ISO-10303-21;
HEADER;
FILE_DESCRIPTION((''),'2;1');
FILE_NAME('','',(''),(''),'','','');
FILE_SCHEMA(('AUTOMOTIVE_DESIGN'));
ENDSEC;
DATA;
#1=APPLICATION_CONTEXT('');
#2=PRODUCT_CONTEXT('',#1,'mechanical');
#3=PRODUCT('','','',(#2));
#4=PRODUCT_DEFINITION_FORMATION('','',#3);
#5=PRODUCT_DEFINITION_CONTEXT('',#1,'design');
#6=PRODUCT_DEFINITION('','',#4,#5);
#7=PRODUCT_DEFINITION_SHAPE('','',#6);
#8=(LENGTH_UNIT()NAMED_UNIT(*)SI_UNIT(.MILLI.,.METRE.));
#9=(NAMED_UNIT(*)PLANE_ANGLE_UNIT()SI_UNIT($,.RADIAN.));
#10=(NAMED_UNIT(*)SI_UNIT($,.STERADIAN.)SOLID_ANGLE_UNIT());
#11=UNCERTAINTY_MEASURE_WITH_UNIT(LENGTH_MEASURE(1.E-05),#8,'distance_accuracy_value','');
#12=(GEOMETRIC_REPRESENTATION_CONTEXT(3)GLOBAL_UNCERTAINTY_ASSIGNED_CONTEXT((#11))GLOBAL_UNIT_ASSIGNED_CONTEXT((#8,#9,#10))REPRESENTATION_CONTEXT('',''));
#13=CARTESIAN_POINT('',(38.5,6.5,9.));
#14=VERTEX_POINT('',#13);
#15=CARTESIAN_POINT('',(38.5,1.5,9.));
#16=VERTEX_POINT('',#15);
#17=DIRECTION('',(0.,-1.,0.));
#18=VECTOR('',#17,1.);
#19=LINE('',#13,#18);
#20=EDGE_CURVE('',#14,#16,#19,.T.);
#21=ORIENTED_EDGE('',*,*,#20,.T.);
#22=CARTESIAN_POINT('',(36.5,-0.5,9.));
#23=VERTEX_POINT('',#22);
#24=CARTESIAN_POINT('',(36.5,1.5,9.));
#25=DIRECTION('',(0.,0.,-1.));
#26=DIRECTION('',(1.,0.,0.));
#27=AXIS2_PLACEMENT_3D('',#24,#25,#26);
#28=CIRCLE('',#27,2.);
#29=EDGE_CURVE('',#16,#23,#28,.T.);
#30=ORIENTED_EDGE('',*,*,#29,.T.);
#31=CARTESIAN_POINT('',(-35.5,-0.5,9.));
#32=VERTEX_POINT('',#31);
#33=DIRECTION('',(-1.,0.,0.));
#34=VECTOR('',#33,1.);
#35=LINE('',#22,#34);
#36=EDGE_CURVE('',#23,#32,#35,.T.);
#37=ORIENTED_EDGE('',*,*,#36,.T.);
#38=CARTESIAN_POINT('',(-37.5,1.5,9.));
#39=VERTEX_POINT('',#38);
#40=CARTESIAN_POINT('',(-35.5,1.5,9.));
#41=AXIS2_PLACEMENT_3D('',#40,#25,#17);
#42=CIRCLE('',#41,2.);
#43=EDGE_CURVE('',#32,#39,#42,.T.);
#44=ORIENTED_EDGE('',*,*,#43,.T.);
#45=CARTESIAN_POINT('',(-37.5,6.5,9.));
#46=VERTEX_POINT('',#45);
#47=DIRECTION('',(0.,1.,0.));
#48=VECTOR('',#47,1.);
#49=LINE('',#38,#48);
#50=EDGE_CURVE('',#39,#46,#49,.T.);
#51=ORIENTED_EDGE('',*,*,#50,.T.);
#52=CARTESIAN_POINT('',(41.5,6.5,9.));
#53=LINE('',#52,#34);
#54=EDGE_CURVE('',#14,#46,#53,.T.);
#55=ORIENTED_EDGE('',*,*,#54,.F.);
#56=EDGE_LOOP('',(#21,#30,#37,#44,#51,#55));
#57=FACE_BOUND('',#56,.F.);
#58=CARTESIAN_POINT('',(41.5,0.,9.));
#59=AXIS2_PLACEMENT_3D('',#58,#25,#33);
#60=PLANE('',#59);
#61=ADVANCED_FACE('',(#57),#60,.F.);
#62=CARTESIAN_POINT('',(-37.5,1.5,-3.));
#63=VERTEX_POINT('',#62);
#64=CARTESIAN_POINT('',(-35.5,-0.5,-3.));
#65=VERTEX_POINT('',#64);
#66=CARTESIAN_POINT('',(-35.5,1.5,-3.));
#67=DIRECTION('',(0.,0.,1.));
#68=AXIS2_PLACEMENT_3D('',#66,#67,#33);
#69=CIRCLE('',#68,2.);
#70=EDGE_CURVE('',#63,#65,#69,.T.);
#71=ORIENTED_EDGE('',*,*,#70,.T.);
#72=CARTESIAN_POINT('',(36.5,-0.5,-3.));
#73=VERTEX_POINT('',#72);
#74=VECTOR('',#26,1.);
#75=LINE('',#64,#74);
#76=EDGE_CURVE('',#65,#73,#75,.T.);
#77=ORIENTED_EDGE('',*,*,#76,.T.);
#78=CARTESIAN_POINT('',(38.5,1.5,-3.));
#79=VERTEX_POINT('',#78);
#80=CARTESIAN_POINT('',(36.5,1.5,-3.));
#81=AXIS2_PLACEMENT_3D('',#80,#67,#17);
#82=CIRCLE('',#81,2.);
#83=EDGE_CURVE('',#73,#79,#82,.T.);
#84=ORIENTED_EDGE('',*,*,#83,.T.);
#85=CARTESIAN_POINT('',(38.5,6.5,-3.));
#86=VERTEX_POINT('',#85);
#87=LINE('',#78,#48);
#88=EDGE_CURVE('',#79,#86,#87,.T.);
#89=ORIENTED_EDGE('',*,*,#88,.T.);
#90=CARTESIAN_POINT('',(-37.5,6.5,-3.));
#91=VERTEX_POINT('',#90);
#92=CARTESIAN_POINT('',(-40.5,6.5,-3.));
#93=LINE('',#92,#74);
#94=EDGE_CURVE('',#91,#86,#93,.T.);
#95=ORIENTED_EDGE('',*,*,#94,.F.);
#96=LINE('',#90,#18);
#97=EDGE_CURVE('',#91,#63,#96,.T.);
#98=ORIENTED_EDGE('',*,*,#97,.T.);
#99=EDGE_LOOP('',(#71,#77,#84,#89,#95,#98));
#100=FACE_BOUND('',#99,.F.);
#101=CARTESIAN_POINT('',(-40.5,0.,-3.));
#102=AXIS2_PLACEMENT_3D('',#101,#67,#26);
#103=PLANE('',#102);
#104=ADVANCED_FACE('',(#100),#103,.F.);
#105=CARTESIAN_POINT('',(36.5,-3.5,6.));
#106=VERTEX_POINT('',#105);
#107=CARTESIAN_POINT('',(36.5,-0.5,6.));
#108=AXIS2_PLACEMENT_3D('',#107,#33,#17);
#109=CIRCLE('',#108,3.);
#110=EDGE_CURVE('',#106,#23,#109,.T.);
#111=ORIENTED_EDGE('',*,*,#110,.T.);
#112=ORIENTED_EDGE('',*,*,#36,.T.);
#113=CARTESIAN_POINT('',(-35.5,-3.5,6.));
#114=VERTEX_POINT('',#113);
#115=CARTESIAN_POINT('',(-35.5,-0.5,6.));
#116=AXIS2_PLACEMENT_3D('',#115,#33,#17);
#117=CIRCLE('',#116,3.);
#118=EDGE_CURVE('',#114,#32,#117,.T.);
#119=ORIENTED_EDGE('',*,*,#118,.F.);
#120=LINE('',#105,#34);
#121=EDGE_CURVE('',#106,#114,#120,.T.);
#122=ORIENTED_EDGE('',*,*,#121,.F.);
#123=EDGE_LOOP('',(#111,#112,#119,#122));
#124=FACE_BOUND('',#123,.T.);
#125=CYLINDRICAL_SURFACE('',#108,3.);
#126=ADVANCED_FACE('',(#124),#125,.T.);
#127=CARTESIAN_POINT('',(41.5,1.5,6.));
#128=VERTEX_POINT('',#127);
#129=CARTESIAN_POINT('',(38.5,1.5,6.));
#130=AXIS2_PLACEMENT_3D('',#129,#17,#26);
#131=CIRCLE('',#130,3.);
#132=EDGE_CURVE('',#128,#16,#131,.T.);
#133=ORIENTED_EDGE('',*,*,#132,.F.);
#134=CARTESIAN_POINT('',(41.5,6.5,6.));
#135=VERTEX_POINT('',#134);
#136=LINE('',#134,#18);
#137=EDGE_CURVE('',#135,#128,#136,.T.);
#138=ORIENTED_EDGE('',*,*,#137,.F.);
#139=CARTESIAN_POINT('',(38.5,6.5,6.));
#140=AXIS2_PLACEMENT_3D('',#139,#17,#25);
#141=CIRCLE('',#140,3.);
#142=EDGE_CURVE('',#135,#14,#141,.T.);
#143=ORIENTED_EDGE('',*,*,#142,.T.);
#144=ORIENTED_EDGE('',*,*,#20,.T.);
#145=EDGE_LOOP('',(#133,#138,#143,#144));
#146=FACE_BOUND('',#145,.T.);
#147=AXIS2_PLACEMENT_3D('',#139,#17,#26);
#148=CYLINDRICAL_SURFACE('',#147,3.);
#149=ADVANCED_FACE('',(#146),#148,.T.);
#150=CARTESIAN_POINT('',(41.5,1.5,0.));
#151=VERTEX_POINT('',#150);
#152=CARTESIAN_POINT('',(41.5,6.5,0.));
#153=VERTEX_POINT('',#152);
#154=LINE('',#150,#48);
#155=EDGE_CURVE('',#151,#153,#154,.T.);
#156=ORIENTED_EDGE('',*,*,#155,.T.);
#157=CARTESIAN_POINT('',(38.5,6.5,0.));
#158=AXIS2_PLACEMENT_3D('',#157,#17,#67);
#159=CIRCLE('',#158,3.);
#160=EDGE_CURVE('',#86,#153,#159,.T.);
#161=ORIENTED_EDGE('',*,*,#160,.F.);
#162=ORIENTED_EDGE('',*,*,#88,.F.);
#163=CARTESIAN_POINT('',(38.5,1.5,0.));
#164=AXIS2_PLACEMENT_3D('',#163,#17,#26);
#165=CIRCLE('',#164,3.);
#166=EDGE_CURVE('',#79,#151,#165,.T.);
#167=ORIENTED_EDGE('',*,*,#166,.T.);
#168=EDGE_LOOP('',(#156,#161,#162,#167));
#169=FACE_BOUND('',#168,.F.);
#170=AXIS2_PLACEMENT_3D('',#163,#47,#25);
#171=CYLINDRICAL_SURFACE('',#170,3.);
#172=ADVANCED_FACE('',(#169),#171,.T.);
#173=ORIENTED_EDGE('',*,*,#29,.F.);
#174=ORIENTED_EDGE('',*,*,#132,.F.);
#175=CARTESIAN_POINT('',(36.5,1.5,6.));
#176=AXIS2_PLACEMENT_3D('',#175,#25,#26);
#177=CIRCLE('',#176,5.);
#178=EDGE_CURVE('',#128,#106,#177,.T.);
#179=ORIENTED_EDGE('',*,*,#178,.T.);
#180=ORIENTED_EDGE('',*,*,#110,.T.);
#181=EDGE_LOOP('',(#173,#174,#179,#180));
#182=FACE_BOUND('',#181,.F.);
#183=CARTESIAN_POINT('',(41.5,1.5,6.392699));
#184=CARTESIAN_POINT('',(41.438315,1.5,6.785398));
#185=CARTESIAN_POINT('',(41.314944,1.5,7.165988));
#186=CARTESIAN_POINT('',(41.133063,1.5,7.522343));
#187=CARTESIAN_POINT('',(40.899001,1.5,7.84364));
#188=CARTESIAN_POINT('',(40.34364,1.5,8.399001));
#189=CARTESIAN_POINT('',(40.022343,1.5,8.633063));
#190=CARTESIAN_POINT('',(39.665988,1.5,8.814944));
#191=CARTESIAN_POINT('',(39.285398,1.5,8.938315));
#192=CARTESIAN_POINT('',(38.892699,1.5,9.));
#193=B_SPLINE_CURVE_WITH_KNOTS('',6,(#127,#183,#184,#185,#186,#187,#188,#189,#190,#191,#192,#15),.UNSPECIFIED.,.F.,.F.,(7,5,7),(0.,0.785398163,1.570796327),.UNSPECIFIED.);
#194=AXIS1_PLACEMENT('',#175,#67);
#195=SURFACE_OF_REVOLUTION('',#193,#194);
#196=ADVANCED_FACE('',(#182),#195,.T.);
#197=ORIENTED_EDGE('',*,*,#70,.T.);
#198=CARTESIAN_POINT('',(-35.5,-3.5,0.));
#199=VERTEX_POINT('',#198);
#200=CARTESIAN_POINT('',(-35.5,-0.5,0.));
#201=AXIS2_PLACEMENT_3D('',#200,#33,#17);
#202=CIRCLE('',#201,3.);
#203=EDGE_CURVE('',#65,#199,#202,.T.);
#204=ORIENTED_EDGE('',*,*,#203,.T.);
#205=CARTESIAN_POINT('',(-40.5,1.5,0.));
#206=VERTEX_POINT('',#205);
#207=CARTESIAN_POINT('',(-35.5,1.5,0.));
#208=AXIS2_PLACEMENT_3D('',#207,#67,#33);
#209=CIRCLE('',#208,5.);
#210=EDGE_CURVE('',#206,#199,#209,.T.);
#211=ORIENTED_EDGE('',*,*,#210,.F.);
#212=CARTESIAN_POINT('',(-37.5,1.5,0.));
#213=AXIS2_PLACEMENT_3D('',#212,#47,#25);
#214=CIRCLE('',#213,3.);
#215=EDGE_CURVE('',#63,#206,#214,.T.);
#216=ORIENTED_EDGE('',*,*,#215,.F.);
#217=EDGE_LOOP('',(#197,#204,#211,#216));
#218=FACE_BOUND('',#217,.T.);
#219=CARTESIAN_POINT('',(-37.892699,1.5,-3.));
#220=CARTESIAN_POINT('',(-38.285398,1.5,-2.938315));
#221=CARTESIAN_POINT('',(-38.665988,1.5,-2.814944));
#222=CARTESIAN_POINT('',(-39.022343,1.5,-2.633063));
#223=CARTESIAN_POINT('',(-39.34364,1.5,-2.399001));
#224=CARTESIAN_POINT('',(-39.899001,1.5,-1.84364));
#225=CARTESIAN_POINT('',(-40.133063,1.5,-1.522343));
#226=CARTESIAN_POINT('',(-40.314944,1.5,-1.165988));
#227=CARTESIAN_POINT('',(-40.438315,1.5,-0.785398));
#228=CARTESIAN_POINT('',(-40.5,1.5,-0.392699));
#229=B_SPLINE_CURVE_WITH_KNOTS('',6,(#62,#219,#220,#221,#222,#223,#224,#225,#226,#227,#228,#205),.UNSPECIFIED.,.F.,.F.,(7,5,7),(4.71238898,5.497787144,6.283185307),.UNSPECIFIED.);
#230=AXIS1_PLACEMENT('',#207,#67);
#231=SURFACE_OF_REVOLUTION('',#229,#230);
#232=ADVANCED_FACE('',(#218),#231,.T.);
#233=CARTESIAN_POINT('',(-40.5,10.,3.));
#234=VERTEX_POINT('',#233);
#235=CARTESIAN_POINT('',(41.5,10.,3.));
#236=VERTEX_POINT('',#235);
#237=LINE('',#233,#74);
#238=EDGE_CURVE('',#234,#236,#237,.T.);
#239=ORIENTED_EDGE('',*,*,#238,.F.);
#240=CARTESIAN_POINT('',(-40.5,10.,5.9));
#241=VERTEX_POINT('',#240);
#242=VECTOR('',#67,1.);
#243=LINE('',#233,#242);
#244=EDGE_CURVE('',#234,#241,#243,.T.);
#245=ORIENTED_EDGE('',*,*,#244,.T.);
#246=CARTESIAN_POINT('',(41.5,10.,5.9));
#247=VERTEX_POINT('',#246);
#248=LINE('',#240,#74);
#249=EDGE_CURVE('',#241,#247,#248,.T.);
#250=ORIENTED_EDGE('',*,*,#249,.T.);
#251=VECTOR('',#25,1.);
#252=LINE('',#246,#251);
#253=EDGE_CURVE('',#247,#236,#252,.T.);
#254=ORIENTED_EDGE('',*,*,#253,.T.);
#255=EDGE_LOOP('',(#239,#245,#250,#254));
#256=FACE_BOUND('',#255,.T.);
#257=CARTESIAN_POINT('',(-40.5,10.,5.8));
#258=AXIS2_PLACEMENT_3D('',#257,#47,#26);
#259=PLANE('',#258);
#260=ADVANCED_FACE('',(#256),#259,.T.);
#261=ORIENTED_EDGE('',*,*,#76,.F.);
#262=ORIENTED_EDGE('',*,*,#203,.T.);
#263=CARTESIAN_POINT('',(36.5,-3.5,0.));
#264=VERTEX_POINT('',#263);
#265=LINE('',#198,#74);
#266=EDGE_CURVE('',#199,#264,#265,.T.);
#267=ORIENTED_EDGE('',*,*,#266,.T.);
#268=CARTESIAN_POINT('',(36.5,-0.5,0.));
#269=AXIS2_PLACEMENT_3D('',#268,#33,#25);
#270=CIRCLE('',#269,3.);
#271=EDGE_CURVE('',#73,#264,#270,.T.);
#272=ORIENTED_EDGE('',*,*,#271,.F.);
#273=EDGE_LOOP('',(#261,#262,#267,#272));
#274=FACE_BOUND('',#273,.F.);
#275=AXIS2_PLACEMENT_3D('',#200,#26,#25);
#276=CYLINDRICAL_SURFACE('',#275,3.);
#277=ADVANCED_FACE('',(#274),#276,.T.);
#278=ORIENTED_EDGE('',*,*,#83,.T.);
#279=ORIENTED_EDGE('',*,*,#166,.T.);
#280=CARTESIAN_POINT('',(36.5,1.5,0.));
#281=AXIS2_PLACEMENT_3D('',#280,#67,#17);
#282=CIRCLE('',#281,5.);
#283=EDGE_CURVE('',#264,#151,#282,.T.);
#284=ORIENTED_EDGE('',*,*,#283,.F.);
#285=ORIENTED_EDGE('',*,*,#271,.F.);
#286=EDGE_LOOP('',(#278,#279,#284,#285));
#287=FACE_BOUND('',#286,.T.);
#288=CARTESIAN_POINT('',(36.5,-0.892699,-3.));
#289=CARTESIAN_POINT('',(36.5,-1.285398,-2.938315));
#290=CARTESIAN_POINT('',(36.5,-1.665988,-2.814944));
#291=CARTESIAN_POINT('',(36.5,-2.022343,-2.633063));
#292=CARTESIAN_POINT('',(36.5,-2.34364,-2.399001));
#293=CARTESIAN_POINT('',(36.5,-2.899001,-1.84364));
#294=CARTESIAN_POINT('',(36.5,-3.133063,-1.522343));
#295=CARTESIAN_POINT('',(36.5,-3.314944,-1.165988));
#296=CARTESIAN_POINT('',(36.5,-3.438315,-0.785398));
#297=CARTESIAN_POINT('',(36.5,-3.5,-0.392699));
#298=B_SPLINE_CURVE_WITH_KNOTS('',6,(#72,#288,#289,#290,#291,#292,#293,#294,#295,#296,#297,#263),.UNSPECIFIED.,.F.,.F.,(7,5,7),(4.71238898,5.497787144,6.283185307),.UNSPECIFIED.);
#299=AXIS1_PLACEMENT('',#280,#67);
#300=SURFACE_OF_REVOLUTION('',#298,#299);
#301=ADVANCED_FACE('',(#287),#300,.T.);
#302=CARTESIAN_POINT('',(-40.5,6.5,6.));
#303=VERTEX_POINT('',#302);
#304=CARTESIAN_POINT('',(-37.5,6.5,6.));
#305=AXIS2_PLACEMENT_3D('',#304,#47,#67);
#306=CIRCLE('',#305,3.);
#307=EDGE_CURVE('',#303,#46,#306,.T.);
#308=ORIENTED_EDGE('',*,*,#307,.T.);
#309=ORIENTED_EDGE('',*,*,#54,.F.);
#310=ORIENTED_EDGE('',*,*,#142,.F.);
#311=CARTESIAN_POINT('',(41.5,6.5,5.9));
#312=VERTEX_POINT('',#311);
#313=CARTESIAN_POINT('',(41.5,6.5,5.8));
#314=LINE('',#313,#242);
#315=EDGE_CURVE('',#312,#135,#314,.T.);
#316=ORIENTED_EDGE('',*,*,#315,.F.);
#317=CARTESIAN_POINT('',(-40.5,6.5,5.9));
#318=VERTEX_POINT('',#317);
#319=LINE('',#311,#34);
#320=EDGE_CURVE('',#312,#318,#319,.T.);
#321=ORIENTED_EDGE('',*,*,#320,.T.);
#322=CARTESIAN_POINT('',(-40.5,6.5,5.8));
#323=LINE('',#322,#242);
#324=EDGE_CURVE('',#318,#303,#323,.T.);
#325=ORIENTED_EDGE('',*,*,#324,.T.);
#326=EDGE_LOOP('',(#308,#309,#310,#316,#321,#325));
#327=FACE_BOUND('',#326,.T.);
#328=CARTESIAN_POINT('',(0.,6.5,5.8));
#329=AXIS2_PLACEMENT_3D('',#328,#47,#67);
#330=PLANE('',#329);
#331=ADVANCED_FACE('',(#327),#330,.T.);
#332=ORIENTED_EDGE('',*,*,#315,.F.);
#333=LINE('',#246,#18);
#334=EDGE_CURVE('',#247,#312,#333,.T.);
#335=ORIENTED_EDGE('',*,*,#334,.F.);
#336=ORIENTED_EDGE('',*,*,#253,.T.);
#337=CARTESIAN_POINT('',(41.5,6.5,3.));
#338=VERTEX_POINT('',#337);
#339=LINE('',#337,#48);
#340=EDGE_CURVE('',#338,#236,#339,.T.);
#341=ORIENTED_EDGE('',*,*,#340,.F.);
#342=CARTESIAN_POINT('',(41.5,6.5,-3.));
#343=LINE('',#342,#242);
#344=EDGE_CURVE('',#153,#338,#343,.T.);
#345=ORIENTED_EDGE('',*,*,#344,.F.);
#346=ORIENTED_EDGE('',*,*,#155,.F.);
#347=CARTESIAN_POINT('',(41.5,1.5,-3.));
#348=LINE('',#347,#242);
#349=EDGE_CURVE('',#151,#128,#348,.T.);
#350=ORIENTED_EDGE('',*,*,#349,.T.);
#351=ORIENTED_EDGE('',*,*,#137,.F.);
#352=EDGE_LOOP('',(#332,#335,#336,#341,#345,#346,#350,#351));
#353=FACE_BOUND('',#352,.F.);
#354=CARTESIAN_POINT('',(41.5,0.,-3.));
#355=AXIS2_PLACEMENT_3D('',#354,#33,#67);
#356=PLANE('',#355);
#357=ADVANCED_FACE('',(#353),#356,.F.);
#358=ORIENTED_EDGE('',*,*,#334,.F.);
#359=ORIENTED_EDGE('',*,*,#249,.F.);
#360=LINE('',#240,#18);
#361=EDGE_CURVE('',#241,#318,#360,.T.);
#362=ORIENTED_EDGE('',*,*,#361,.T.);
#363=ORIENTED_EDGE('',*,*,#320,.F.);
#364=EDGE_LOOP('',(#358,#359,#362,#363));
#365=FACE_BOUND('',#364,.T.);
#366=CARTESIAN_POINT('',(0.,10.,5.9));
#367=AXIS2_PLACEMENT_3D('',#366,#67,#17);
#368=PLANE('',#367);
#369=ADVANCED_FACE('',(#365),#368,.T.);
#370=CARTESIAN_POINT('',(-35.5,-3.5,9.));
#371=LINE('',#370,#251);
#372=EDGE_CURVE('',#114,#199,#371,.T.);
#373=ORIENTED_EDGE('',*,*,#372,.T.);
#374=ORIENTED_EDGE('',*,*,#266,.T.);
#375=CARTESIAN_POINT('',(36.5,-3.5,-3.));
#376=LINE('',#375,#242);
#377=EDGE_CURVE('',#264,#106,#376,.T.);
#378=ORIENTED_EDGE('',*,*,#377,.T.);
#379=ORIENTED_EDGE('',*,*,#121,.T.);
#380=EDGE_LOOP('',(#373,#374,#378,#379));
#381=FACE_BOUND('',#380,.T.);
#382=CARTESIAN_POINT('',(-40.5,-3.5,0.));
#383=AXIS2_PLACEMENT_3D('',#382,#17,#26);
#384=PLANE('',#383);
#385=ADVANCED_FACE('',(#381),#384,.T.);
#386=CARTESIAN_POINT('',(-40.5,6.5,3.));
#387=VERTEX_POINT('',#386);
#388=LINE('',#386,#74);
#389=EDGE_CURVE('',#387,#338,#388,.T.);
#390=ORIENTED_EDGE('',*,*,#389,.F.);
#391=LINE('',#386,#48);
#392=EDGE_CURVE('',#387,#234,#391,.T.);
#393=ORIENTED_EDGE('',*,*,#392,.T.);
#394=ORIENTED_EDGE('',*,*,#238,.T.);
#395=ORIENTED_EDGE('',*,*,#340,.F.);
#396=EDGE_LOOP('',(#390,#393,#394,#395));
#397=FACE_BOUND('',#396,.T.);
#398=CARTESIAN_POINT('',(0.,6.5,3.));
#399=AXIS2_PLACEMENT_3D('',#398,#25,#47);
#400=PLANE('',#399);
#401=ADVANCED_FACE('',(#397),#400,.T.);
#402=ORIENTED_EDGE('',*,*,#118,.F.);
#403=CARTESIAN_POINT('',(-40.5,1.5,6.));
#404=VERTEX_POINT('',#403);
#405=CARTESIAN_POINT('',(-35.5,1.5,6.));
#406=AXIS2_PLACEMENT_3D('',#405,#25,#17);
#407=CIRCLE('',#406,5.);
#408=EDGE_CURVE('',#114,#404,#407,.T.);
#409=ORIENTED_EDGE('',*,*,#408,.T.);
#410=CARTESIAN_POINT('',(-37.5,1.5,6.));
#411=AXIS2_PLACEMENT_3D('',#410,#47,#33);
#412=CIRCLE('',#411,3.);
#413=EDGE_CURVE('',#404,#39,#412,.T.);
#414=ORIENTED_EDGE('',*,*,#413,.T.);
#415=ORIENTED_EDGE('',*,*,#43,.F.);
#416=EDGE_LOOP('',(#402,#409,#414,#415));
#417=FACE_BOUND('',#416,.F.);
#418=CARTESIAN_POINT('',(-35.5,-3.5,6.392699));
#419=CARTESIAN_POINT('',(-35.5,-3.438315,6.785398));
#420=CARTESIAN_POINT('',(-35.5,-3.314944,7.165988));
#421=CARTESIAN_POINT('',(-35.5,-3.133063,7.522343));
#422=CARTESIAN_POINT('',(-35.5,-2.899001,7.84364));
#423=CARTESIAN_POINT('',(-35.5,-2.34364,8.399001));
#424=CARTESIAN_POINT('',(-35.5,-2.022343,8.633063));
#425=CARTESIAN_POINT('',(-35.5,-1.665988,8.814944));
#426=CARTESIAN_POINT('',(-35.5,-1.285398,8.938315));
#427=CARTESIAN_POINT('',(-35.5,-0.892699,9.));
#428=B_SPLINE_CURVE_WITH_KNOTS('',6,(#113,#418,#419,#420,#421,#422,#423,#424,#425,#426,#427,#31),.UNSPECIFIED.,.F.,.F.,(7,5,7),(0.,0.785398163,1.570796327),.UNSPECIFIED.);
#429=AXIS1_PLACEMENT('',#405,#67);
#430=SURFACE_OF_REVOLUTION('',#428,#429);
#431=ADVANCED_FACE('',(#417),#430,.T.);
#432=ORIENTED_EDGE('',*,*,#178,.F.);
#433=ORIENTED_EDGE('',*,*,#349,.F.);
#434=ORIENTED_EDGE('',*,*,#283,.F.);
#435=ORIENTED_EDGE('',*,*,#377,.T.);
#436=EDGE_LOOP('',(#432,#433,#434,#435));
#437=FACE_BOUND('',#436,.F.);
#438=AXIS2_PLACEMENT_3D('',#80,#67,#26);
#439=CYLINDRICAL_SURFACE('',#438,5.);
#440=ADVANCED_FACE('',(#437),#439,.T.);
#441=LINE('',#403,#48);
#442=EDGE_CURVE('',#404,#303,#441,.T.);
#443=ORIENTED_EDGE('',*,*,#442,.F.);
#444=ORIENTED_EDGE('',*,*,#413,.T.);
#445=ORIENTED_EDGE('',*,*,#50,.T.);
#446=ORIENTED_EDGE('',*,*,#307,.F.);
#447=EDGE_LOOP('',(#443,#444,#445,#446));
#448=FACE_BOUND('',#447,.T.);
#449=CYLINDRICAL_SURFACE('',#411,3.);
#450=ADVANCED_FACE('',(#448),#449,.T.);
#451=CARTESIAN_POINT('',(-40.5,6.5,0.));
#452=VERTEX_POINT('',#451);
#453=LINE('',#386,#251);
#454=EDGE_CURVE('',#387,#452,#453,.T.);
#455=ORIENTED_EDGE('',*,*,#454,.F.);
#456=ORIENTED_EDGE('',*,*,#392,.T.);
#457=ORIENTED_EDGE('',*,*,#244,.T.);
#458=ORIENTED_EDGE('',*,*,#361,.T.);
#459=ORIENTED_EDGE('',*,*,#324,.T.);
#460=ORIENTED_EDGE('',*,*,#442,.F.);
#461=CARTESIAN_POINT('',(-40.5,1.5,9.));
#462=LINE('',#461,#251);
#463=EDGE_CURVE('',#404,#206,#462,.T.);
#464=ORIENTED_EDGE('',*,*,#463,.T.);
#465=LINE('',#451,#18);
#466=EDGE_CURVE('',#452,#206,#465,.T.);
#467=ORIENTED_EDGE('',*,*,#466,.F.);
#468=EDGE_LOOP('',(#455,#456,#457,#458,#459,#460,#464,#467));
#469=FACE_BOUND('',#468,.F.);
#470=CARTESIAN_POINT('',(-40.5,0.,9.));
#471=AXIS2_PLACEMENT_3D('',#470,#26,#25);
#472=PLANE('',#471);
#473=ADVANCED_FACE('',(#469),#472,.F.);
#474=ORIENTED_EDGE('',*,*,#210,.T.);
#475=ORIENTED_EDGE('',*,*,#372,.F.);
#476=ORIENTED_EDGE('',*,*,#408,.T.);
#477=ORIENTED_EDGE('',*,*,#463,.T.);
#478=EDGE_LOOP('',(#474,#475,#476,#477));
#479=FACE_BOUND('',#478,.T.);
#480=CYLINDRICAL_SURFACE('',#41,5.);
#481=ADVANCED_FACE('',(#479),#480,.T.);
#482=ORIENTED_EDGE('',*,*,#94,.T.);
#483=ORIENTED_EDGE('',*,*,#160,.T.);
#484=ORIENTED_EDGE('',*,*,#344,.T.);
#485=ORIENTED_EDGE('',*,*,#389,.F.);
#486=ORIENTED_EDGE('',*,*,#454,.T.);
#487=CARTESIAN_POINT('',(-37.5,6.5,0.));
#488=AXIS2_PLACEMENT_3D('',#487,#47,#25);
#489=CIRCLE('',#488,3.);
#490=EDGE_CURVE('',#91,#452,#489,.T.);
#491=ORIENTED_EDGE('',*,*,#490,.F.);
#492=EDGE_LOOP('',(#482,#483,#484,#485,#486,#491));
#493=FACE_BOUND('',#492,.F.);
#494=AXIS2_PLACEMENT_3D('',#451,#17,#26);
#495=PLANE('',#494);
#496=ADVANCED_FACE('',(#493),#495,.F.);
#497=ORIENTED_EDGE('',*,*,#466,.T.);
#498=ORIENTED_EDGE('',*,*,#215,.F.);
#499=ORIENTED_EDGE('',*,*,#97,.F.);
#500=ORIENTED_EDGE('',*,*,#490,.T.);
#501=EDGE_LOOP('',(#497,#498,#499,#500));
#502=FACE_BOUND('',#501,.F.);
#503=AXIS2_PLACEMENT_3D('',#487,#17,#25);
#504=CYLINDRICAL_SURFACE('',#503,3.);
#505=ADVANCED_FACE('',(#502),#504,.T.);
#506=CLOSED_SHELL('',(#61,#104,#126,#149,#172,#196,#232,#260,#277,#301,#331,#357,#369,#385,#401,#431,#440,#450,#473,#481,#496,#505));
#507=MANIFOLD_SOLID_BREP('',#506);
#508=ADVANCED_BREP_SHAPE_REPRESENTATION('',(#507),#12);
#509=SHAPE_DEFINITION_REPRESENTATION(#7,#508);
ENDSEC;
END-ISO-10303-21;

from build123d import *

# Parameters (mm, degrees)
F1_DEPTH = 41.5
F2_DEPTH = 40.5
F3_DEPTH = 3
F4_DEPTH = 0.1
F5_DEPTH = 3.5
F6_R     = 5
F7_R     = 3


with BuildPart() as f1:
    # F0 (on Right) → F1 (new body)
    with BuildSketch(Plane.YZ):
        Polygon((0, 9), (0, 0), (6.5, 0), (6.5, 3), (10, 3), (10, 5.8), (6.5, 5.8), (6.5, 9), align=None)
    extrude(amount=F1_DEPTH)

    # F2 (add): a face of the model
    f2_faces = [f1.faces().sort_by_distance(p)[0] for p in [
        (0, 3.9674231332, 4.4856515373),
    ]]
    extrude(f2_faces, amount=F2_DEPTH)

    # F3 (add): a face of the model
    f3_faces = [f1.faces().sort_by_distance(p)[0] for p in [
        (0.5, 3.25, 0),
    ]]
    extrude(f3_faces, amount=F3_DEPTH)

    # F4 (add): a face of the model
    f4_faces = [f1.faces().sort_by_distance(p)[0] for p in [
        (0.5, 8.25, 5.8),
    ]]
    extrude(f4_faces, amount=F4_DEPTH)

    # F5 (add): a face of the model
    f5_faces = [f1.faces().sort_by_distance(p)[0] for p in [
        (0.5, 0, 3),
    ]]
    extrude(f5_faces, amount=F5_DEPTH)

    # F6
    f6_edges = [f1.edges().sort_by_distance(p)[0] for p in [
        (41.5, -3.5, 3),
        (-40.5, -3.5, 3),
    ]]
    fillet(f6_edges, radius=F6_R)

    # F7
    f7_edges = [f1.edges().sort_by_distance(p)[0] for p in [
        (0.5, -3.5, 9),
        (0.5, -3.5, -3),
    ]]
    fillet(f7_edges, radius=F7_R)


solid = f1.part
